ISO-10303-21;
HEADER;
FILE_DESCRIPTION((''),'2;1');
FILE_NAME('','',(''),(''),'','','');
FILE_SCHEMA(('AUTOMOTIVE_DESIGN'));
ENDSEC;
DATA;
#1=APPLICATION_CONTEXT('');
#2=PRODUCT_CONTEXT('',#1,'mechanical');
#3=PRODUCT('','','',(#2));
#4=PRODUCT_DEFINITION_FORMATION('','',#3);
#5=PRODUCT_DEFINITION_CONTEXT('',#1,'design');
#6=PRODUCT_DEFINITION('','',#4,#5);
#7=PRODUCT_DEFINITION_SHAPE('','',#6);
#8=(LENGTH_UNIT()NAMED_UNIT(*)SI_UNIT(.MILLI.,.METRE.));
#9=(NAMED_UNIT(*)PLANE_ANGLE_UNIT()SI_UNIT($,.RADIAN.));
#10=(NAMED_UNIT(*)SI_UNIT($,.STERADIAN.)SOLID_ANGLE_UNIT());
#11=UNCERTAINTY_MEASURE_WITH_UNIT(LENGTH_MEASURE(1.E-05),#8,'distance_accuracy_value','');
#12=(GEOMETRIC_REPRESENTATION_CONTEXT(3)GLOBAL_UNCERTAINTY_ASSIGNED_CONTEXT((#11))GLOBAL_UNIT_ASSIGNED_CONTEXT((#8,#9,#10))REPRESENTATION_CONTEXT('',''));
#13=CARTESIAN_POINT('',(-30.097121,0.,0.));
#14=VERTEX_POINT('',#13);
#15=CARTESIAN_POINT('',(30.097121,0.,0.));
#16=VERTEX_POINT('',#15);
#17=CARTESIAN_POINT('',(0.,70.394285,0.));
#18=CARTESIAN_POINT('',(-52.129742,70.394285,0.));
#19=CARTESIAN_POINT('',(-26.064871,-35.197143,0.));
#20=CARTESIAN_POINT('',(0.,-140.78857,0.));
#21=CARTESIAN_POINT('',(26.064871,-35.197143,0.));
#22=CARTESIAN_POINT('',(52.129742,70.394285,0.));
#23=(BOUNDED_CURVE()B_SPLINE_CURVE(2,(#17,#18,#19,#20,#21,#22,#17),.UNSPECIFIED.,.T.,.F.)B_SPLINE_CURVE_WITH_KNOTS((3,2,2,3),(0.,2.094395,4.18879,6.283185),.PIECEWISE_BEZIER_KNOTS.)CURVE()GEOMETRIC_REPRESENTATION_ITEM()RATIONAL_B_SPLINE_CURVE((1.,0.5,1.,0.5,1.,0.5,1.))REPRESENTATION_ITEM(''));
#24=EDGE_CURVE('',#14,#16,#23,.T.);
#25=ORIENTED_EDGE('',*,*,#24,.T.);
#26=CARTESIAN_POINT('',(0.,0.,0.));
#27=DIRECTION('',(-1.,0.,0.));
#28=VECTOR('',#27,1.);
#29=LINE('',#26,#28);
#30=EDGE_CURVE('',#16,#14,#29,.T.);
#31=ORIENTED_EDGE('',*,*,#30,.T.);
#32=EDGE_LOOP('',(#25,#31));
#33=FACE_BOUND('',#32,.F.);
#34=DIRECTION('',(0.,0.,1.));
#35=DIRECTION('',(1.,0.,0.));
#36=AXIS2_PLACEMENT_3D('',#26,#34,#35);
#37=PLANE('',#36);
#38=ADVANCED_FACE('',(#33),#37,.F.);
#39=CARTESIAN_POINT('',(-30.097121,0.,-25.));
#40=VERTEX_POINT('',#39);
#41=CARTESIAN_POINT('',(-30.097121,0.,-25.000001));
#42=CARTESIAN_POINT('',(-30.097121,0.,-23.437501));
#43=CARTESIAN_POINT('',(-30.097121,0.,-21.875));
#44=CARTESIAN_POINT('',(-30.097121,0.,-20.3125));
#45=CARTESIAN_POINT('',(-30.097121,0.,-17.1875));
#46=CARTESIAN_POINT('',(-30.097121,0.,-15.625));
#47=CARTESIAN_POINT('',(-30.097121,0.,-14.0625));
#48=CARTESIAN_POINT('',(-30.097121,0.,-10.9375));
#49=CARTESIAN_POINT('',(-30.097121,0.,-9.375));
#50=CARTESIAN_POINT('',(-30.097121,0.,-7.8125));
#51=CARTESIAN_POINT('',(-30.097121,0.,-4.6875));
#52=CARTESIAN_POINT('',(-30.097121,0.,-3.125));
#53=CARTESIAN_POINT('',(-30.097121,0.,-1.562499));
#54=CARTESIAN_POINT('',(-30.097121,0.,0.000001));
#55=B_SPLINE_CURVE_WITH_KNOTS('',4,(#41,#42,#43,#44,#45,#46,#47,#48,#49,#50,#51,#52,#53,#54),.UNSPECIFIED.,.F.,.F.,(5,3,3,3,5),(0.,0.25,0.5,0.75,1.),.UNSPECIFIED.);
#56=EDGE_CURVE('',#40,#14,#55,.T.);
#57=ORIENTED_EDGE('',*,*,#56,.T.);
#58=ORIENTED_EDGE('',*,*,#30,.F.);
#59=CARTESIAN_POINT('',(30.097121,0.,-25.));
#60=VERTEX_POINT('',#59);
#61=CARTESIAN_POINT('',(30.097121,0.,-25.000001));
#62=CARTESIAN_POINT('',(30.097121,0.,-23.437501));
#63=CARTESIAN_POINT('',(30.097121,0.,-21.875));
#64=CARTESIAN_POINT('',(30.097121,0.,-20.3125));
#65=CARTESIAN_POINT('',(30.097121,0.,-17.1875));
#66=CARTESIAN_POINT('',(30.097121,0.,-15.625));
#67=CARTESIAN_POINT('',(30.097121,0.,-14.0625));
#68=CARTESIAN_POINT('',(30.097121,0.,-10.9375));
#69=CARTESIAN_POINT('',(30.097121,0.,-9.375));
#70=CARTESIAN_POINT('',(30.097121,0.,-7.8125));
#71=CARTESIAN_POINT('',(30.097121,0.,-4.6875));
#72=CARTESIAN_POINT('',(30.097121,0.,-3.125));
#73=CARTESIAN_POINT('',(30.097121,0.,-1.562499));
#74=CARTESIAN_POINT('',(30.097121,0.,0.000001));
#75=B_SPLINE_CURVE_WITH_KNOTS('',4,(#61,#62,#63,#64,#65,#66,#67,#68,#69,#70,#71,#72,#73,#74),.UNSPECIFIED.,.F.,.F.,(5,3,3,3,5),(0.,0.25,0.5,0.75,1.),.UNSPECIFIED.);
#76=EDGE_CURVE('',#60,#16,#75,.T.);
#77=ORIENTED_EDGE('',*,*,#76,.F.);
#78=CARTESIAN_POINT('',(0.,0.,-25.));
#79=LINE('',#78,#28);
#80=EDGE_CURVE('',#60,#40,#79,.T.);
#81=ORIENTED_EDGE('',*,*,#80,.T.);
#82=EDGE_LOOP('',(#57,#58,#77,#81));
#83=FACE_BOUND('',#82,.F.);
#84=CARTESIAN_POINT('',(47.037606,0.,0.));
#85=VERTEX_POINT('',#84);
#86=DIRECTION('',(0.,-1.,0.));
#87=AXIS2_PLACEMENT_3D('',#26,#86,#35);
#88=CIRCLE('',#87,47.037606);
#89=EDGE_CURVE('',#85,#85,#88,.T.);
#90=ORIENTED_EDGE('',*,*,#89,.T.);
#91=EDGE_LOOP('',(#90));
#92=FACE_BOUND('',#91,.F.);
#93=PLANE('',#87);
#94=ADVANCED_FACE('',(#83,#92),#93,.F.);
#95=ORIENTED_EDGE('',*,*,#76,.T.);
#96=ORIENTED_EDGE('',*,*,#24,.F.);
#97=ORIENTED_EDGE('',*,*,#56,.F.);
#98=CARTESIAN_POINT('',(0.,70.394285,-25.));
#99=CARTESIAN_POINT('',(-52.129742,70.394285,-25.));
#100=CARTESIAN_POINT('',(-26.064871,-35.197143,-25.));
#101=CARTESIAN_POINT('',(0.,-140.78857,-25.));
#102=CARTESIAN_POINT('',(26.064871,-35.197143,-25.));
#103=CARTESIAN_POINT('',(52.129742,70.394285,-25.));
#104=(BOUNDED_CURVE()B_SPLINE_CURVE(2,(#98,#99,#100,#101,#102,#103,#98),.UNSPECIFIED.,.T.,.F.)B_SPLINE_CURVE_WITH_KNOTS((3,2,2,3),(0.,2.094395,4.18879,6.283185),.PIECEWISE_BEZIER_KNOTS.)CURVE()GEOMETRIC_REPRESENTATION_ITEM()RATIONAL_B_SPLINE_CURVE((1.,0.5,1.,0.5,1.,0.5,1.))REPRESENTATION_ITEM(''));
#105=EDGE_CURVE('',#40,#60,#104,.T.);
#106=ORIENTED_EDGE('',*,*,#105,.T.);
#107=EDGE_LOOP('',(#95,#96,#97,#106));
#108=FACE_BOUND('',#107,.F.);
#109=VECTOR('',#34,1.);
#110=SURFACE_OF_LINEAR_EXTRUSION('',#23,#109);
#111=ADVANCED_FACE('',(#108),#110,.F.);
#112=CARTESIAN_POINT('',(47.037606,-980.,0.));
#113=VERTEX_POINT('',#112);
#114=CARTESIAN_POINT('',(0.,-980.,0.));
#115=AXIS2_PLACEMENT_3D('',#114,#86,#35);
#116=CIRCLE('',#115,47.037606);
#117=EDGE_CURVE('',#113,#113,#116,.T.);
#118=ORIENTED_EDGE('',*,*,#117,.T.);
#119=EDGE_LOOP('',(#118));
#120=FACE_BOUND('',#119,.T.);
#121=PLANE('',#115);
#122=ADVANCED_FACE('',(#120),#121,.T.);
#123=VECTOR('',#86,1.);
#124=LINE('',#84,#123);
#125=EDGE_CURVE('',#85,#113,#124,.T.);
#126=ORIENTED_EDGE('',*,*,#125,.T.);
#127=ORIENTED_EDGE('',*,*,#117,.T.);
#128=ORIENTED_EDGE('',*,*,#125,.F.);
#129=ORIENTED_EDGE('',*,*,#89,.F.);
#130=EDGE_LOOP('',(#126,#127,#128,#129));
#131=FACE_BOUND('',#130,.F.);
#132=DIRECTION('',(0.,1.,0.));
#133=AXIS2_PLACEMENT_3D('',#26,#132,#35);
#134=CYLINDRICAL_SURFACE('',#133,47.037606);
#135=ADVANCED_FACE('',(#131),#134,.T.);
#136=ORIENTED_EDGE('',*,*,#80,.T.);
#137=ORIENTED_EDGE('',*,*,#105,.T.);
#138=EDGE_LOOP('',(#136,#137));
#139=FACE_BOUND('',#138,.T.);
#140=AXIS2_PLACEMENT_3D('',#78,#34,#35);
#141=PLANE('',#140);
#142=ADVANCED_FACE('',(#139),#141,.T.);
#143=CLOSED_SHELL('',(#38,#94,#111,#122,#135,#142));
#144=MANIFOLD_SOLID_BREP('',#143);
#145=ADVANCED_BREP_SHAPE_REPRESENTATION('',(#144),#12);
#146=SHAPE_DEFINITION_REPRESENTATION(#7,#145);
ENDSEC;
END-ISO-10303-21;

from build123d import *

# Parameters (mm, degrees)
F0_R     = 47.037606
F1_DEPTH = 980
F2_R     = 25.753318
F3_DEPTH = 25
F5_DEPTH = 25


with BuildPart() as f1:
    # F0 (on Front) → F1 (new body)
    with BuildSketch(Plane.XZ):
        Circle(F0_R)
    extrude(amount=F1_DEPTH)

    # F2 (on Front) → F3 (join)
    with BuildSketch(Plane.XZ):
        Circle(F2_R)
    extrude(amount=F3_DEPTH)

    # F4 (on Top) → F5 (cut)
    with BuildSketch(Plane.XY):
        with BuildLine():
            add(Edge.make_bspline(
                [(0, 70.394285), (-52.129742, 70.394285), (-26.064871, -35.197143), (0, -140.78857), (26.064871, -35.197143), (52.129742, 70.394285), (0, 70.394285)],
                knots=[0, 0, 0, 2.094395, 2.094395, 4.18879, 4.18879, 6.283185, 6.283185, 6.283185], degree=2, weights=[1, 0.5, 1, 0.5, 1, 0.5, 1]))
        make_face()
    extrude(amount=-F5_DEPTH, mode=Mode.SUBTRACT)


solid = f1.part
